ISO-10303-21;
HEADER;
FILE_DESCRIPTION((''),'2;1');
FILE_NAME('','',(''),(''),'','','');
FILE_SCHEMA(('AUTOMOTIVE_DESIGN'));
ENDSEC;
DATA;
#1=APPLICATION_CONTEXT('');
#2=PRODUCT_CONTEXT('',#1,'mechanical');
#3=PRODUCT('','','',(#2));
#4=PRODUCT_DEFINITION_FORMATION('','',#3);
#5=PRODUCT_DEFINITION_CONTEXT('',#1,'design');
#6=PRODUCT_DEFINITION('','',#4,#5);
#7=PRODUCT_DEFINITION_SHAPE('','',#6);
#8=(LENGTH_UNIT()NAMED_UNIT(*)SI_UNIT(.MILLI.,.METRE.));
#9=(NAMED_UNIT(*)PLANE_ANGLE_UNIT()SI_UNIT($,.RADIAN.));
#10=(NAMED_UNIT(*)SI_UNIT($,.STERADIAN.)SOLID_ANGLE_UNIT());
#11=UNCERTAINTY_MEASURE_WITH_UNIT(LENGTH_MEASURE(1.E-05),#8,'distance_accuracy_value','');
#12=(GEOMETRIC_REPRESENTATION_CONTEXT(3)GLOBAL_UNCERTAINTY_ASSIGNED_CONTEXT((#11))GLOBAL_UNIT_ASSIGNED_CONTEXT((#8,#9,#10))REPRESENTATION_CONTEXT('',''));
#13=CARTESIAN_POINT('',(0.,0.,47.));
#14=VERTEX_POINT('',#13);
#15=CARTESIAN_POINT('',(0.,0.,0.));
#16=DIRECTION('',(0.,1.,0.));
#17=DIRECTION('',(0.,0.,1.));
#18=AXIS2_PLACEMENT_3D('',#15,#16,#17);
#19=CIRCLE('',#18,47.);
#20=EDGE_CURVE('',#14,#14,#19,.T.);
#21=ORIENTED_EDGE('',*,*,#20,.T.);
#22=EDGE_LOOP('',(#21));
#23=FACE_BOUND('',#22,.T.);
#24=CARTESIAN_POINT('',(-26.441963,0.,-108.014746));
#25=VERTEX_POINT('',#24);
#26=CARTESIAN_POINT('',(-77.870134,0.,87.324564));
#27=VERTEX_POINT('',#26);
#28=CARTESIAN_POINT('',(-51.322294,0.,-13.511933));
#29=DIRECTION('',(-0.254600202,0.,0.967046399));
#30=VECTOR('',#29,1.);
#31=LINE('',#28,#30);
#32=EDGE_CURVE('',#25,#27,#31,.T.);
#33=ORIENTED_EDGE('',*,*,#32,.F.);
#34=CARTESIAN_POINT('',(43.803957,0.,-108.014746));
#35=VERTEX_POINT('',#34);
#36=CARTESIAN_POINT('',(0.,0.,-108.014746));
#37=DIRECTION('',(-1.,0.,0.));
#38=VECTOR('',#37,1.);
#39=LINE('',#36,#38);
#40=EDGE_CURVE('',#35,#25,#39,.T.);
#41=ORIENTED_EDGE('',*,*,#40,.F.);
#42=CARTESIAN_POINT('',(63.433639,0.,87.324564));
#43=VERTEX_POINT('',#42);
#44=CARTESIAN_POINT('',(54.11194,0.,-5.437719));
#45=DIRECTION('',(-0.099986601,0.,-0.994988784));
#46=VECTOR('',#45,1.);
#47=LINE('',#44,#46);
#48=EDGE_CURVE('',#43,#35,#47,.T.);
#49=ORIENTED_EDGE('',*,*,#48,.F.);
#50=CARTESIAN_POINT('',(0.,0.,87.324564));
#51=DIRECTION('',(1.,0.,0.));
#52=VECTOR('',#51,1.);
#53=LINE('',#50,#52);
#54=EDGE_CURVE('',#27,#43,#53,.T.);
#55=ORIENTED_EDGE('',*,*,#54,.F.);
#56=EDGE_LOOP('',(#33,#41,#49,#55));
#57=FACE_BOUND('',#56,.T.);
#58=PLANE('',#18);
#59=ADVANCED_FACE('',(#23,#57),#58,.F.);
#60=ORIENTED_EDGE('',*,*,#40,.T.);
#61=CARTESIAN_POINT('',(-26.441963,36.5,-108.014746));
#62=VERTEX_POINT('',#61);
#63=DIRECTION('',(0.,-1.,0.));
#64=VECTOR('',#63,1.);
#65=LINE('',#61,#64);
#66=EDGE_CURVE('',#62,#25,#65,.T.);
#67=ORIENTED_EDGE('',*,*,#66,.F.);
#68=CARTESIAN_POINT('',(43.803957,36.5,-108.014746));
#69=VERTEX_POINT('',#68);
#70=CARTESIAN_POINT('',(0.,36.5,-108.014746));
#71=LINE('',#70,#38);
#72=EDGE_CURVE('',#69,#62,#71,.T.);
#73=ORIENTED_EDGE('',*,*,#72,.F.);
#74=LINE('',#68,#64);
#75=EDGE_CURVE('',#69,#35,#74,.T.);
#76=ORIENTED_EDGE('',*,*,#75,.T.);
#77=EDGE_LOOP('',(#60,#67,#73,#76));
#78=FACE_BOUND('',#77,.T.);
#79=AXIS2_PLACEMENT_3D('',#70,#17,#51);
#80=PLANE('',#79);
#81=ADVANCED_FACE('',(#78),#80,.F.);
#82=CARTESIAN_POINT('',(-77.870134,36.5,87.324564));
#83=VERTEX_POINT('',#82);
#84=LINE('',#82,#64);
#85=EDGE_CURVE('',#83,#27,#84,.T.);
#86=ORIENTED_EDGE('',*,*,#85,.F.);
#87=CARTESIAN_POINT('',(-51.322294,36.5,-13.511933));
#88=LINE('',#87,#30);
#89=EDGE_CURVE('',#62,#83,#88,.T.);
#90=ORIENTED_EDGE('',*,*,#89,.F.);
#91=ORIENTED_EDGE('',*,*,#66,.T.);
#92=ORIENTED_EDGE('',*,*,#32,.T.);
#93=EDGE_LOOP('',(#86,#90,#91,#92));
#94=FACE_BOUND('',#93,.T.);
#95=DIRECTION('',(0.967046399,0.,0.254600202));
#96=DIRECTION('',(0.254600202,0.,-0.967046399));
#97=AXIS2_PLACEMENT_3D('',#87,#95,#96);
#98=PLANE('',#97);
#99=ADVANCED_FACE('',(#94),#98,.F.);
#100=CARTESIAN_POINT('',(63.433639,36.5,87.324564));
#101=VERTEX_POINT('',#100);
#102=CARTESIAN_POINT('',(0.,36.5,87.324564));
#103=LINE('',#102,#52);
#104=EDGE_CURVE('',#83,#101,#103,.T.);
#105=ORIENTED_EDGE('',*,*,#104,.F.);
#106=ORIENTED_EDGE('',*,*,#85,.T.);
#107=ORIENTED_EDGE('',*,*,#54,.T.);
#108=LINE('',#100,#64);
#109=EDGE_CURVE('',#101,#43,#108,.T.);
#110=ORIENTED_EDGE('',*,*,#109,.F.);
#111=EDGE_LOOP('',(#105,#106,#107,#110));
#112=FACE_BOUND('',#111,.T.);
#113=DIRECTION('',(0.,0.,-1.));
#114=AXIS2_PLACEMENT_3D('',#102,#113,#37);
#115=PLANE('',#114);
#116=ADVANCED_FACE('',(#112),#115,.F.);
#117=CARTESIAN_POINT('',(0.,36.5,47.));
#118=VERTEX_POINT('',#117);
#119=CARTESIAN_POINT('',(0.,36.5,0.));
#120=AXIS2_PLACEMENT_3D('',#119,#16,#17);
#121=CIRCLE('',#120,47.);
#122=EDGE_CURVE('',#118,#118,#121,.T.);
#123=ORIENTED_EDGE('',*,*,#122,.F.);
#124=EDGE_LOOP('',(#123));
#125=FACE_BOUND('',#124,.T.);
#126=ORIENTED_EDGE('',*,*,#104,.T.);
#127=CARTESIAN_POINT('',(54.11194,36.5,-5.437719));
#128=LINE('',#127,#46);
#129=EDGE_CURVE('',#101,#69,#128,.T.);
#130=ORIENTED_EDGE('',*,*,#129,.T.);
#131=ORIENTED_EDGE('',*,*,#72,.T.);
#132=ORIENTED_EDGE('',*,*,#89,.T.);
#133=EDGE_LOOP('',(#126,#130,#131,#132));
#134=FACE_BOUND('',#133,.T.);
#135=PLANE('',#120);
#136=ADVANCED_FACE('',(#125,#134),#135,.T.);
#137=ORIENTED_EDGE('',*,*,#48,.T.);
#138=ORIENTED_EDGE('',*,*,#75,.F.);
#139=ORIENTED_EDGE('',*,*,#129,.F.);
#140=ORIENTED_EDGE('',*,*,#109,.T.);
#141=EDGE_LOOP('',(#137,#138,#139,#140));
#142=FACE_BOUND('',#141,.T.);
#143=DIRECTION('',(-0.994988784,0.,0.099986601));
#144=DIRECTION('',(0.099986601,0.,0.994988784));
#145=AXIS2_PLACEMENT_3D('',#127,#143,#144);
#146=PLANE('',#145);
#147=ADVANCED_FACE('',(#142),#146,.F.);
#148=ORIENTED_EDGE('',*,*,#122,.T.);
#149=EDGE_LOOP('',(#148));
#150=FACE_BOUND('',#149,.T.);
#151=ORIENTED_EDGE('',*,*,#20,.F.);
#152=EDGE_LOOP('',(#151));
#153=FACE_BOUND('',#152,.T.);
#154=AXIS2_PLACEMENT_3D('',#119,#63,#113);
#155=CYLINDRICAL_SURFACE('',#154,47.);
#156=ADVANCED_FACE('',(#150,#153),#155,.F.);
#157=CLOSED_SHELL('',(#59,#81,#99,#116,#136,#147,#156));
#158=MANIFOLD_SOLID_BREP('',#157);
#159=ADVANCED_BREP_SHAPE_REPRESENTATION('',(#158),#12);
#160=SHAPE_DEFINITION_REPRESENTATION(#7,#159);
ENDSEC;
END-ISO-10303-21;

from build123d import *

# Parameters (mm, degrees)
SKETCH1_R           = 47
BOSS_EXTRUDE1_DEPTH = 36.5


with BuildPart() as part:
    # Sketch1 → Boss-Extrude1 (new body)
    with BuildSketch(Plane(origin=(0, 0, 0), x_dir=(1, 0, 0), z_dir=(0, 1, 0))):
        Polygon((43.803956609, 108.014745968), (-26.441962507, 108.014745968), (-77.870133755, -87.324564228), (63.433638897, -87.324564228), align=None)
        with Locations(Location((0, 0, 0), (0, 0, 270))):
            Circle(SKETCH1_R, mode=Mode.SUBTRACT)
    extrude(amount=BOSS_EXTRUDE1_DEPTH)


solid = part.part
